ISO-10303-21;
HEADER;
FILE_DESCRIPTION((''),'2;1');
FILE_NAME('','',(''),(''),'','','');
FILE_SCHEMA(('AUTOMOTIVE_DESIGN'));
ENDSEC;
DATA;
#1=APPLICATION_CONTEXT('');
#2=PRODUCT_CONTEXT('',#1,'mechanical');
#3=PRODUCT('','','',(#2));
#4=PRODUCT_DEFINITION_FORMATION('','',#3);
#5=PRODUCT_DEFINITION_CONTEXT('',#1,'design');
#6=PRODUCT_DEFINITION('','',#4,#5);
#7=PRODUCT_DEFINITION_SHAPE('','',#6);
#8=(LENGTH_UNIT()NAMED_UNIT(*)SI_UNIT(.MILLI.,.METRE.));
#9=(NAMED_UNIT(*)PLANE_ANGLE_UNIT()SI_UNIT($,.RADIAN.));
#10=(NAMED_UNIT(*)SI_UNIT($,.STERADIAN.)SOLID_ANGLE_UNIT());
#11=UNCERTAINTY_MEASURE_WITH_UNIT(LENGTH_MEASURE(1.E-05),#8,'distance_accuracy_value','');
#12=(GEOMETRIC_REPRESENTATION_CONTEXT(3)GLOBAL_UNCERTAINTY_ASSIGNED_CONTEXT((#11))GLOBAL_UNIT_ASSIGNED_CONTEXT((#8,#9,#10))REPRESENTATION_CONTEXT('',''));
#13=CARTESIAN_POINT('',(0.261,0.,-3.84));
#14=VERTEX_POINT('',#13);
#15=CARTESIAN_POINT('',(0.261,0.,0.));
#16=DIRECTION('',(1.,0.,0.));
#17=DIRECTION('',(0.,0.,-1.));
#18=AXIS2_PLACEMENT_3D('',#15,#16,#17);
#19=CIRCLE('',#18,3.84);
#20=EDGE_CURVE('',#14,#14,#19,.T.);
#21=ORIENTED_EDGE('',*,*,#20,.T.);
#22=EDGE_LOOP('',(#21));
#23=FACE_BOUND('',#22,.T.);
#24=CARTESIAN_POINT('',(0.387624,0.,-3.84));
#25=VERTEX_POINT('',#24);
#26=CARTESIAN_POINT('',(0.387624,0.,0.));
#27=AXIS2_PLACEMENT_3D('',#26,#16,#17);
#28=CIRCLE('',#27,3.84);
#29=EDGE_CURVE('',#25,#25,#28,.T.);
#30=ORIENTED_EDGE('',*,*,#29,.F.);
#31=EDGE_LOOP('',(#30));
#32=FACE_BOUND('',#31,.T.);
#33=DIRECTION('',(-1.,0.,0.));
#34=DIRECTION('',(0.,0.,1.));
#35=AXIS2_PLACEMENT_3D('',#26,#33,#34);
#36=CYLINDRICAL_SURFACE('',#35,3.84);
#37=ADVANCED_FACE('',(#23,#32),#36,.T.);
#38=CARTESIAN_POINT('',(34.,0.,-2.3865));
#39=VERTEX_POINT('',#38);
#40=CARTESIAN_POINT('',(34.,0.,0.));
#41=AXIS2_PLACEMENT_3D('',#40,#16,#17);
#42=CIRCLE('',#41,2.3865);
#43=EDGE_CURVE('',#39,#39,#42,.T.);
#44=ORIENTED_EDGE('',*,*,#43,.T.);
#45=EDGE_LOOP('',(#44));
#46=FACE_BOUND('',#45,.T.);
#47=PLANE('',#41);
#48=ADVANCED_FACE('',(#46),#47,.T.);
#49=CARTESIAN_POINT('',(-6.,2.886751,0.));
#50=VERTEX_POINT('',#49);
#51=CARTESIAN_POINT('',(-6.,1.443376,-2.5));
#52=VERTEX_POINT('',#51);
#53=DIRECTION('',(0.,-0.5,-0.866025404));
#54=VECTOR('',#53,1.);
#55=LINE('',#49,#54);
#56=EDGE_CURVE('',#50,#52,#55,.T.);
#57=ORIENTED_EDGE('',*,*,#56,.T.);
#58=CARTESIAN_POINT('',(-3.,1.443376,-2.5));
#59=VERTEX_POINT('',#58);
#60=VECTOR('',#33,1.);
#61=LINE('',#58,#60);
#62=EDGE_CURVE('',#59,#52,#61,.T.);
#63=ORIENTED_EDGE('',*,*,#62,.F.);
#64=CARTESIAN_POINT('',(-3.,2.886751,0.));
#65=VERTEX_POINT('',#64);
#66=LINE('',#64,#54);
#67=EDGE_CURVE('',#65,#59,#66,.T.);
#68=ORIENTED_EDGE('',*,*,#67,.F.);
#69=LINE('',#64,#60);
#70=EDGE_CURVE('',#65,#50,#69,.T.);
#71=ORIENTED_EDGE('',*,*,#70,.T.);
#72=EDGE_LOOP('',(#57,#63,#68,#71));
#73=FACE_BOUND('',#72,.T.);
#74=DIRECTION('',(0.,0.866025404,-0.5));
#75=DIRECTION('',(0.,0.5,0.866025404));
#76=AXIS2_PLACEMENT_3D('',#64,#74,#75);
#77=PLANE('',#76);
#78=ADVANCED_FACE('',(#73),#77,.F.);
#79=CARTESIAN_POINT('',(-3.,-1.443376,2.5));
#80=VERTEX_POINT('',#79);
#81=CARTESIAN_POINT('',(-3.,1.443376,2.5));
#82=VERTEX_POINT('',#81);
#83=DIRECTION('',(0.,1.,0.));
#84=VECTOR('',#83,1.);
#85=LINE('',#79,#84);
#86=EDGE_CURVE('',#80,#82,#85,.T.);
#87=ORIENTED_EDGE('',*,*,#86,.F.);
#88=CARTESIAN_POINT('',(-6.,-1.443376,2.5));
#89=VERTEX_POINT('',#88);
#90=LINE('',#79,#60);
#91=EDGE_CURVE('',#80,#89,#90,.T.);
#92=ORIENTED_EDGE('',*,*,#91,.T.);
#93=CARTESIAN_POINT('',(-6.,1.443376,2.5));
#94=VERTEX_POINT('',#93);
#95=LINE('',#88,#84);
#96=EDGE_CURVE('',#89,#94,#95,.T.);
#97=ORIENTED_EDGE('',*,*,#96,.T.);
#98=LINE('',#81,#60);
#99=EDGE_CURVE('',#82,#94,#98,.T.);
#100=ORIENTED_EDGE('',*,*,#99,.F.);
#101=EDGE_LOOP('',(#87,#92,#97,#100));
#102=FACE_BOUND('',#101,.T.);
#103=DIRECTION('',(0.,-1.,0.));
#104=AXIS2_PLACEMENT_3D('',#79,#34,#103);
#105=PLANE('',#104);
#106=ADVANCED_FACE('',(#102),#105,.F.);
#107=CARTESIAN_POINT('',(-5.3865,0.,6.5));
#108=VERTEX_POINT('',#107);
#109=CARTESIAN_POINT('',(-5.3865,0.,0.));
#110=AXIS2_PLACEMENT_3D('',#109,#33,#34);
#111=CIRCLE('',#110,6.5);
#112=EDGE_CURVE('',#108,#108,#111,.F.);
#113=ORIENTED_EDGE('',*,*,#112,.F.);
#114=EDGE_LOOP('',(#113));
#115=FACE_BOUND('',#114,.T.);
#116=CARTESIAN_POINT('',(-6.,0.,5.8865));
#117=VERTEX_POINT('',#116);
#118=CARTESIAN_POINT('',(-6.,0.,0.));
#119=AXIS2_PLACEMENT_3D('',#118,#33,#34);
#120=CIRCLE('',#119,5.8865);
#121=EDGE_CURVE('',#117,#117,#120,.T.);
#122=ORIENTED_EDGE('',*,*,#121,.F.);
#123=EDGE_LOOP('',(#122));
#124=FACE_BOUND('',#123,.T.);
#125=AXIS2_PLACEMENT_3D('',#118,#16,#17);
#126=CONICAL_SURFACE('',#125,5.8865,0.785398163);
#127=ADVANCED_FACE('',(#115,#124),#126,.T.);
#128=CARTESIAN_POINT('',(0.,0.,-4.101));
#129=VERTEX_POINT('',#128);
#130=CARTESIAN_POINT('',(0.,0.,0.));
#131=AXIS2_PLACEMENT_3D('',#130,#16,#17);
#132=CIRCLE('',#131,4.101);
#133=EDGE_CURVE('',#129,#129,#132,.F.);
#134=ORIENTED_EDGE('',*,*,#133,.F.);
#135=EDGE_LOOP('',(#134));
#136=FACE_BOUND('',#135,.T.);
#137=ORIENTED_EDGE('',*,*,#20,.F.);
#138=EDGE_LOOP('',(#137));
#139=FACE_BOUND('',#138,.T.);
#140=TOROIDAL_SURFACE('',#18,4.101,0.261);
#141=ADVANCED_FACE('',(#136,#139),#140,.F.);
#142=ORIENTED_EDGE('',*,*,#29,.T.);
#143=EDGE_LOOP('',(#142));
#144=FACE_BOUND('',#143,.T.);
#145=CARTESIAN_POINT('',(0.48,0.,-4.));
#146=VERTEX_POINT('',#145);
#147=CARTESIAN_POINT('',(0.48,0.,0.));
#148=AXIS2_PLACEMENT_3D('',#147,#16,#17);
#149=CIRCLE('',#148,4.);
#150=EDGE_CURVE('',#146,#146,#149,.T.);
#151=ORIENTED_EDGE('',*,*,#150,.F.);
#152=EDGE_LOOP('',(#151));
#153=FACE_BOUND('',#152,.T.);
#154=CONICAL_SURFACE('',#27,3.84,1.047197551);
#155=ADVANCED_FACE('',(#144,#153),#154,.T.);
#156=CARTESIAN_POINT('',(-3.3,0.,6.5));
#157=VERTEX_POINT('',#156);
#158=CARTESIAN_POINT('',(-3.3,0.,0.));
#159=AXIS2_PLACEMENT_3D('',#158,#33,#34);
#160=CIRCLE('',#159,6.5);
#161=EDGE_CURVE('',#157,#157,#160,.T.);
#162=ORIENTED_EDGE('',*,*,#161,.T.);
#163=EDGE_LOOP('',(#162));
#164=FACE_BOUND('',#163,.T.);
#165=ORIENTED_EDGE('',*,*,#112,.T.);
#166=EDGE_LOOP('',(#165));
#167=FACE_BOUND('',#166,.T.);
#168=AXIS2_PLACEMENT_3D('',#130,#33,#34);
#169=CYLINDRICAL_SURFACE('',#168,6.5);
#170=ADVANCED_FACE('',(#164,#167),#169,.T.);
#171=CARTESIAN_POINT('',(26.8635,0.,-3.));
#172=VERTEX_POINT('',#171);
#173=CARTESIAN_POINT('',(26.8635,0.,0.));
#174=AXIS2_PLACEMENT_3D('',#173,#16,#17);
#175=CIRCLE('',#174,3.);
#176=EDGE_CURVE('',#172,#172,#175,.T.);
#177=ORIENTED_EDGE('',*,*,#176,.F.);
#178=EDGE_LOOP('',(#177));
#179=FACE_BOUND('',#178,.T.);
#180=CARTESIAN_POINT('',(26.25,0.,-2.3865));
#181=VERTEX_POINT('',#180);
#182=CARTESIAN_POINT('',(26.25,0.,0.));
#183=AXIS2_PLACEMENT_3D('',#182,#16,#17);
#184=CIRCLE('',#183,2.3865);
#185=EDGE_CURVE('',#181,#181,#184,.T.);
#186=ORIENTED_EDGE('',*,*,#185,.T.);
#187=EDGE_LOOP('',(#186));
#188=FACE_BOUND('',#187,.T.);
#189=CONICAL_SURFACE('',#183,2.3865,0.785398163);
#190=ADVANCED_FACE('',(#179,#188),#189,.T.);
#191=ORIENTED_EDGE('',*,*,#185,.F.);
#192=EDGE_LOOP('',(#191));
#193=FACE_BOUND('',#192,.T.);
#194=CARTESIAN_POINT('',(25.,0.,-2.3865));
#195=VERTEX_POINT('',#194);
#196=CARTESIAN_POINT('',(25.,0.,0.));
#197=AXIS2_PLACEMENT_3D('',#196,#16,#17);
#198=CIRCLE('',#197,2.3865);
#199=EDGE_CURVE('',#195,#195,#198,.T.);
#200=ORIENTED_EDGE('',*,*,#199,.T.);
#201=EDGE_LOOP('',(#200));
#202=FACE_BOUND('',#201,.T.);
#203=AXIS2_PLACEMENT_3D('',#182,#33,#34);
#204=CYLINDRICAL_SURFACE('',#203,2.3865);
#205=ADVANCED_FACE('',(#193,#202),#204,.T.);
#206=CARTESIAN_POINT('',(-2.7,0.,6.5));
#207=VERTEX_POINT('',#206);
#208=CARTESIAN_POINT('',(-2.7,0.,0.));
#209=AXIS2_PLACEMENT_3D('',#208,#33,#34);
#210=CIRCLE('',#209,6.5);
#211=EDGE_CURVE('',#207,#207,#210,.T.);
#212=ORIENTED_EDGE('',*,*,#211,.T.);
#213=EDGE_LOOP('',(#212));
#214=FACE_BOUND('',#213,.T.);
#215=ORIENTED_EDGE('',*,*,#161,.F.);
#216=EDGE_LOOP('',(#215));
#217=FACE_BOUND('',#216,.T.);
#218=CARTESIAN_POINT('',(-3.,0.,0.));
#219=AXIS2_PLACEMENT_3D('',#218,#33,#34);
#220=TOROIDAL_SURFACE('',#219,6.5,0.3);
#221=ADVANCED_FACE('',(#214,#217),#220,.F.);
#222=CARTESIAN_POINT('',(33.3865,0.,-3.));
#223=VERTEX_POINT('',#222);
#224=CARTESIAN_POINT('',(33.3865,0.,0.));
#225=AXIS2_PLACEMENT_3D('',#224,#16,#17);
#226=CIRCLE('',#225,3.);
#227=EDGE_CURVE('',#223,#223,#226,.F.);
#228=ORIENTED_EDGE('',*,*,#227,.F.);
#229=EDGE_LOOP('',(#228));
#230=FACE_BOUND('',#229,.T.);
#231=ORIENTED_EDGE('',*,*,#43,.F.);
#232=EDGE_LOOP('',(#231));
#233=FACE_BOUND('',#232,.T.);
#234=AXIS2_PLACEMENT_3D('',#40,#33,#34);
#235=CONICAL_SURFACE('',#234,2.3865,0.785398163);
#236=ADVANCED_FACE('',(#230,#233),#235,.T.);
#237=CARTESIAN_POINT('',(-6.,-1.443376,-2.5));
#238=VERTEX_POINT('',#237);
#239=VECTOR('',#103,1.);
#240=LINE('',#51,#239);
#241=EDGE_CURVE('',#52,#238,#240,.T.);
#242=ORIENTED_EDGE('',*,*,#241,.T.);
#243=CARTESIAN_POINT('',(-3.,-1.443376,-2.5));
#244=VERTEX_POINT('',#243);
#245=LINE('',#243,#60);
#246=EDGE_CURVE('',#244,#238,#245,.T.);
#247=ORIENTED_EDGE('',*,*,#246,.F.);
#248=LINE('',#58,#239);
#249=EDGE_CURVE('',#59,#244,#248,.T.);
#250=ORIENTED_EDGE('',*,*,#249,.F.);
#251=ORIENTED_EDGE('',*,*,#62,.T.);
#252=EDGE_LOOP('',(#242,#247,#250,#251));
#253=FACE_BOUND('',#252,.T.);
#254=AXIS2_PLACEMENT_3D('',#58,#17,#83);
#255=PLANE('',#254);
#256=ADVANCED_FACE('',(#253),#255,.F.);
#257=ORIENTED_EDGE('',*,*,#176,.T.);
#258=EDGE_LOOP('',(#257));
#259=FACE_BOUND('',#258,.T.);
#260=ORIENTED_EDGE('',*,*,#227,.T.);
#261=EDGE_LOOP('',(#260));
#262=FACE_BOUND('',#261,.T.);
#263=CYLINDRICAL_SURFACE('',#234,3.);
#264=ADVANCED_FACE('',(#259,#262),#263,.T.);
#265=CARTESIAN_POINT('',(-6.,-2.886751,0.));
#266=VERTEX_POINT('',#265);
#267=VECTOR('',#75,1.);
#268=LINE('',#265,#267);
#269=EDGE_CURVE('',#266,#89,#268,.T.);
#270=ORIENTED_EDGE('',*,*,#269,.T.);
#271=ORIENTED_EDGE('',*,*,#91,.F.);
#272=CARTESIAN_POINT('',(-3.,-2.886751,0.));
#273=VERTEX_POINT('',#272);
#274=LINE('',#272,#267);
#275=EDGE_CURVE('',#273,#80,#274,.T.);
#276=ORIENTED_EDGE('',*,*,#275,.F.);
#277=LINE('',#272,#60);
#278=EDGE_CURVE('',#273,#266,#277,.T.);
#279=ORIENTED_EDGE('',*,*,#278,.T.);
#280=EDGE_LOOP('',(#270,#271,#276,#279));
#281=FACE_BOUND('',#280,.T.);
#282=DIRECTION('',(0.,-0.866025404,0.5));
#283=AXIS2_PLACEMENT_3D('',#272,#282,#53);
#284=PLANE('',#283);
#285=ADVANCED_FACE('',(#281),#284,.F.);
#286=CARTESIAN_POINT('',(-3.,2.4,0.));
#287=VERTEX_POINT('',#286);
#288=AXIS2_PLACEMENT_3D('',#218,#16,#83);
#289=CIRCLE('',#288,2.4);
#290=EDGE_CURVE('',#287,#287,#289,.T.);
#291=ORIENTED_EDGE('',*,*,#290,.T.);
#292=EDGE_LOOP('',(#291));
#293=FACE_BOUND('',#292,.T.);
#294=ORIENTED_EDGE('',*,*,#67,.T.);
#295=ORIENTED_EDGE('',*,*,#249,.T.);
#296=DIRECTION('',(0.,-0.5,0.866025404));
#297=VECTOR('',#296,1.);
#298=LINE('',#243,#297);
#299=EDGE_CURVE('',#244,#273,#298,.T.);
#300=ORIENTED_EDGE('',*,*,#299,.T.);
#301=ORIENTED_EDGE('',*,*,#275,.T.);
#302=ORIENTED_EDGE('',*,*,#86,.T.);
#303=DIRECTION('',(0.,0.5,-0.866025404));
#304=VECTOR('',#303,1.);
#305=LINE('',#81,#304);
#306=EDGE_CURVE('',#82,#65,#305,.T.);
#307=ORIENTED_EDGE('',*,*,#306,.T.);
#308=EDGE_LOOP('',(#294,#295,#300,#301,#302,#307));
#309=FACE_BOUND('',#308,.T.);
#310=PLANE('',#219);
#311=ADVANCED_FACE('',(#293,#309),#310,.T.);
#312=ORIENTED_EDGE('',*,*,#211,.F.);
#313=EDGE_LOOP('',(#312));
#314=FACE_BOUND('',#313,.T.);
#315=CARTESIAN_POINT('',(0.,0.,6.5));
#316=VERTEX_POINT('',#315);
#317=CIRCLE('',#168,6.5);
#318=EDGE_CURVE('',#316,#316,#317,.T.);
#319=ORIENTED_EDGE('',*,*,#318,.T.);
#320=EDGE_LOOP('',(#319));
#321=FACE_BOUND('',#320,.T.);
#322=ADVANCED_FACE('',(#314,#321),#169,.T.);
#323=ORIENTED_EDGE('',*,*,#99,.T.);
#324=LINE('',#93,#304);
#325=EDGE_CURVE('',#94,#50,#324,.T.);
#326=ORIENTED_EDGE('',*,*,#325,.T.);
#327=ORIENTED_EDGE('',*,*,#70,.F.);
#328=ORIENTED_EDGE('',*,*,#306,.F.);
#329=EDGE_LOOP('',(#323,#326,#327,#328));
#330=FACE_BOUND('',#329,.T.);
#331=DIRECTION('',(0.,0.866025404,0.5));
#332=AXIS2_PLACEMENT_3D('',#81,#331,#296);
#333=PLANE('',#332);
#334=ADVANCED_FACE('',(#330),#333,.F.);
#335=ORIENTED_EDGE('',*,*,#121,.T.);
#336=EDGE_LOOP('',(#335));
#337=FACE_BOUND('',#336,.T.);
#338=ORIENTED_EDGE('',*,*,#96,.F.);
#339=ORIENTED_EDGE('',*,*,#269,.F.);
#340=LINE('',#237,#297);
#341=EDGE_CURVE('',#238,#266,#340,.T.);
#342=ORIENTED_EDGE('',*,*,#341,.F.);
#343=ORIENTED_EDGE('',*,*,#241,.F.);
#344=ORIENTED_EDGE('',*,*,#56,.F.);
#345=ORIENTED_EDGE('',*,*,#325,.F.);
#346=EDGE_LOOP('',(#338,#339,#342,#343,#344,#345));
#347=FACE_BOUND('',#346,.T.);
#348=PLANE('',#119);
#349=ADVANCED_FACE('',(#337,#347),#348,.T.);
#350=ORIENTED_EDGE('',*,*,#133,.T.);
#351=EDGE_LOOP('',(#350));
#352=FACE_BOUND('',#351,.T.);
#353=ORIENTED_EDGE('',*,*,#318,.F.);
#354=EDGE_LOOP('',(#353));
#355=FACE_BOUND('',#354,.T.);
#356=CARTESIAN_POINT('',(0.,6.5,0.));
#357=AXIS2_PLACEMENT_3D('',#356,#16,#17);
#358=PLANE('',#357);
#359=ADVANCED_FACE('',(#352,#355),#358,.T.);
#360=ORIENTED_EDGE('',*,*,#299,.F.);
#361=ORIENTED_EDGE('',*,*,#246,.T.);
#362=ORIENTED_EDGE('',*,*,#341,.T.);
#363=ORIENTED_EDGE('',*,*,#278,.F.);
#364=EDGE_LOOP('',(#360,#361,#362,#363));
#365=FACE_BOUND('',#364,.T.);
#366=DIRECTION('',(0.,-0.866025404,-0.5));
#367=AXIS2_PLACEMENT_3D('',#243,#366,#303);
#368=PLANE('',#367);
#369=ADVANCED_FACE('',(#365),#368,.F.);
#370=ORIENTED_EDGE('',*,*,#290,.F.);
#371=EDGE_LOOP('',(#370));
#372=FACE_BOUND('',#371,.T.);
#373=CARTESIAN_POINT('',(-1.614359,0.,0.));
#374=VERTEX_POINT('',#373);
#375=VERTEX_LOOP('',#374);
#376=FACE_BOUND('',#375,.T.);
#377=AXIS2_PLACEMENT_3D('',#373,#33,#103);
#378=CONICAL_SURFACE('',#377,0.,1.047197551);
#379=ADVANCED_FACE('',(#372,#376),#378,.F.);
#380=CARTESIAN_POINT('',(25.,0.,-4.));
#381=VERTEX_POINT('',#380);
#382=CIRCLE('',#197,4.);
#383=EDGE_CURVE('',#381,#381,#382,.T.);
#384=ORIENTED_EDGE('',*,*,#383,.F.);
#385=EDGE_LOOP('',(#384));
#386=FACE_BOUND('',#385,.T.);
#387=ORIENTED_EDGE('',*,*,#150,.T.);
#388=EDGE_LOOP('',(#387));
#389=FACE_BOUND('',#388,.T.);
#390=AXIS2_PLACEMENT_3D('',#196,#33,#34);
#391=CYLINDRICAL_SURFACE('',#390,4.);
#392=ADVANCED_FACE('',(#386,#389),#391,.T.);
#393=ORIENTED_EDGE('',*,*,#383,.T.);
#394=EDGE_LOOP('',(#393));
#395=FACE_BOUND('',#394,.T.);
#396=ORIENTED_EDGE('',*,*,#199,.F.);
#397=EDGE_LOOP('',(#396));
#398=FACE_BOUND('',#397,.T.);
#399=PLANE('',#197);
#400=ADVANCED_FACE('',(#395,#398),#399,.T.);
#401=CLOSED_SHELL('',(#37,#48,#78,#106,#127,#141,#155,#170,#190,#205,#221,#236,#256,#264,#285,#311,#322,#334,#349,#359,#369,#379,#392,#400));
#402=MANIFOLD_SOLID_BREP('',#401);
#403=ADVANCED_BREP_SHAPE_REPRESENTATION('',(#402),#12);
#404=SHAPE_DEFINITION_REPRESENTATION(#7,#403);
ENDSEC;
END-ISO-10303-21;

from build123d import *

# Parameters (mm, degrees)
SKETCH2_R           = 3.84
BOSS_EXTRUDE1_DEPTH = 0.387623957
SKETCH3_R           = 3.84
BOSS_EXTRUDE2_DEPTH = 0.092376043
BOSS_EXTRUDE2_TAPER = -60.000000004
SKETCH4_R           = 4
BOSS_EXTRUDE3_DEPTH = 24.52
SKETCH5_R           = 2.3865
BOSS_EXTRUDE4_DEPTH = 1.25
SKETCH6_R           = 2.3865
BOSS_EXTRUDE5_DEPTH = 0.6135
BOSS_EXTRUDE5_TAPER = -45
SKETCH7_R           = 3
BOSS_EXTRUDE6_DEPTH = 7.1365
CUT_EXTRUDE1_DEPTH  = 3
CHAMFER1_SIZE       = 0.6135
FILLET1_R           = 0.261


with BuildPart() as part:
    # Sketch1 → Revolve1 (revolve)
    with BuildSketch(Plane(origin=(0, 0, 0), x_dir=(-1, 0, 0), z_dir=(0, 0, -1))):
        with BuildLine():
            Line((0, 6.5), (0, 0))
            Line((0, 0), (6, 0))
            Line((6, 0), (6, 6.5))
            Line((6, 6.5), (3.3, 6.5))
            ThreePointArc((3.3, 6.5), (3, 6.2), (2.7, 6.5))
            Line((2.7, 6.5), (0, 6.5))
        make_face()
    revolve(axis=Axis((0, 0, 0), (-1, 0, 0)))

    # Sketch2 → Boss-Extrude1 (add)
    with BuildSketch(Plane(origin=(0, 0, 0), x_dir=(0, 0, -1), z_dir=(1, 0, 0))):
        Circle(SKETCH2_R)
    extrude(amount=BOSS_EXTRUDE1_DEPTH)

    # Sketch3 → Boss-Extrude2 (add)
    with BuildSketch(Plane(origin=(0.387623957, 0, 0), x_dir=(0, 0, -1), z_dir=(1, 0, 0))):
        Circle(SKETCH3_R)
    extrude(amount=BOSS_EXTRUDE2_DEPTH, taper=BOSS_EXTRUDE2_TAPER)

    # Sketch4 → Boss-Extrude3 (add)
    with BuildSketch(Plane(origin=(0.48, 0, 0), x_dir=(0, 0, -1), z_dir=(1, 0, 0))):
        Circle(SKETCH4_R)
    extrude(amount=BOSS_EXTRUDE3_DEPTH)

    # Sketch5 → Boss-Extrude4 (add)
    with BuildSketch(Plane(origin=(25, 0, 0), x_dir=(0, 0, -1), z_dir=(1, 0, 0))):
        Circle(SKETCH5_R)
    extrude(amount=BOSS_EXTRUDE4_DEPTH)

    # Sketch6 → Boss-Extrude5 (add)
    with BuildSketch(Plane(origin=(26.25, 0, 0), x_dir=(0, 0, -1), z_dir=(1, 0, 0))):
        Circle(SKETCH6_R)
    extrude(amount=BOSS_EXTRUDE5_DEPTH, taper=BOSS_EXTRUDE5_TAPER)

    # Sketch7 → Boss-Extrude6 (add)
    with BuildSketch(Plane(origin=(26.8635, 0, 0), x_dir=(0, 0, -1), z_dir=(1, 0, 0))):
        Circle(SKETCH7_R)
    extrude(amount=BOSS_EXTRUDE6_DEPTH)

    # Sketch8 → Cut-Extrude1 (cut)
    with BuildSketch(Plane.ZY.offset(6)):
        Polygon((2.5, -1.443375673), (2.5, 1.443375673), (0, 2.886751346), (-2.5, 1.443375673), (-2.5, -1.443375673), (0, -2.886751346), align=None)
    extrude(amount=-CUT_EXTRUDE1_DEPTH, mode=Mode.SUBTRACT)

    # Sketch9 → Cut-Revolve1 (revolve, cut)
    with BuildSketch(Plane.XY):
        Polygon((-3, 2.4), (-3, 0), (-1.614359354, 0), align=None)
    revolve(axis=Axis((-3, 0, 0), (1, 0, 0)), mode=Mode.SUBTRACT)

    # Chamfer1
    chamfer1_edges = [part.edges().sort_by_distance(p)[0] for p in [
        (34, 0, 3),
        (-6, -6.5, 0),
    ]]
    chamfer(chamfer1_edges, length=CHAMFER1_SIZE)

    # Fillet1
    fillet1_edges = [part.edges().sort_by_distance(p)[0] for p in [
        (0, 0, 3.84),
    ]]
    fillet(fillet1_edges, radius=FILLET1_R)


solid = part.part
